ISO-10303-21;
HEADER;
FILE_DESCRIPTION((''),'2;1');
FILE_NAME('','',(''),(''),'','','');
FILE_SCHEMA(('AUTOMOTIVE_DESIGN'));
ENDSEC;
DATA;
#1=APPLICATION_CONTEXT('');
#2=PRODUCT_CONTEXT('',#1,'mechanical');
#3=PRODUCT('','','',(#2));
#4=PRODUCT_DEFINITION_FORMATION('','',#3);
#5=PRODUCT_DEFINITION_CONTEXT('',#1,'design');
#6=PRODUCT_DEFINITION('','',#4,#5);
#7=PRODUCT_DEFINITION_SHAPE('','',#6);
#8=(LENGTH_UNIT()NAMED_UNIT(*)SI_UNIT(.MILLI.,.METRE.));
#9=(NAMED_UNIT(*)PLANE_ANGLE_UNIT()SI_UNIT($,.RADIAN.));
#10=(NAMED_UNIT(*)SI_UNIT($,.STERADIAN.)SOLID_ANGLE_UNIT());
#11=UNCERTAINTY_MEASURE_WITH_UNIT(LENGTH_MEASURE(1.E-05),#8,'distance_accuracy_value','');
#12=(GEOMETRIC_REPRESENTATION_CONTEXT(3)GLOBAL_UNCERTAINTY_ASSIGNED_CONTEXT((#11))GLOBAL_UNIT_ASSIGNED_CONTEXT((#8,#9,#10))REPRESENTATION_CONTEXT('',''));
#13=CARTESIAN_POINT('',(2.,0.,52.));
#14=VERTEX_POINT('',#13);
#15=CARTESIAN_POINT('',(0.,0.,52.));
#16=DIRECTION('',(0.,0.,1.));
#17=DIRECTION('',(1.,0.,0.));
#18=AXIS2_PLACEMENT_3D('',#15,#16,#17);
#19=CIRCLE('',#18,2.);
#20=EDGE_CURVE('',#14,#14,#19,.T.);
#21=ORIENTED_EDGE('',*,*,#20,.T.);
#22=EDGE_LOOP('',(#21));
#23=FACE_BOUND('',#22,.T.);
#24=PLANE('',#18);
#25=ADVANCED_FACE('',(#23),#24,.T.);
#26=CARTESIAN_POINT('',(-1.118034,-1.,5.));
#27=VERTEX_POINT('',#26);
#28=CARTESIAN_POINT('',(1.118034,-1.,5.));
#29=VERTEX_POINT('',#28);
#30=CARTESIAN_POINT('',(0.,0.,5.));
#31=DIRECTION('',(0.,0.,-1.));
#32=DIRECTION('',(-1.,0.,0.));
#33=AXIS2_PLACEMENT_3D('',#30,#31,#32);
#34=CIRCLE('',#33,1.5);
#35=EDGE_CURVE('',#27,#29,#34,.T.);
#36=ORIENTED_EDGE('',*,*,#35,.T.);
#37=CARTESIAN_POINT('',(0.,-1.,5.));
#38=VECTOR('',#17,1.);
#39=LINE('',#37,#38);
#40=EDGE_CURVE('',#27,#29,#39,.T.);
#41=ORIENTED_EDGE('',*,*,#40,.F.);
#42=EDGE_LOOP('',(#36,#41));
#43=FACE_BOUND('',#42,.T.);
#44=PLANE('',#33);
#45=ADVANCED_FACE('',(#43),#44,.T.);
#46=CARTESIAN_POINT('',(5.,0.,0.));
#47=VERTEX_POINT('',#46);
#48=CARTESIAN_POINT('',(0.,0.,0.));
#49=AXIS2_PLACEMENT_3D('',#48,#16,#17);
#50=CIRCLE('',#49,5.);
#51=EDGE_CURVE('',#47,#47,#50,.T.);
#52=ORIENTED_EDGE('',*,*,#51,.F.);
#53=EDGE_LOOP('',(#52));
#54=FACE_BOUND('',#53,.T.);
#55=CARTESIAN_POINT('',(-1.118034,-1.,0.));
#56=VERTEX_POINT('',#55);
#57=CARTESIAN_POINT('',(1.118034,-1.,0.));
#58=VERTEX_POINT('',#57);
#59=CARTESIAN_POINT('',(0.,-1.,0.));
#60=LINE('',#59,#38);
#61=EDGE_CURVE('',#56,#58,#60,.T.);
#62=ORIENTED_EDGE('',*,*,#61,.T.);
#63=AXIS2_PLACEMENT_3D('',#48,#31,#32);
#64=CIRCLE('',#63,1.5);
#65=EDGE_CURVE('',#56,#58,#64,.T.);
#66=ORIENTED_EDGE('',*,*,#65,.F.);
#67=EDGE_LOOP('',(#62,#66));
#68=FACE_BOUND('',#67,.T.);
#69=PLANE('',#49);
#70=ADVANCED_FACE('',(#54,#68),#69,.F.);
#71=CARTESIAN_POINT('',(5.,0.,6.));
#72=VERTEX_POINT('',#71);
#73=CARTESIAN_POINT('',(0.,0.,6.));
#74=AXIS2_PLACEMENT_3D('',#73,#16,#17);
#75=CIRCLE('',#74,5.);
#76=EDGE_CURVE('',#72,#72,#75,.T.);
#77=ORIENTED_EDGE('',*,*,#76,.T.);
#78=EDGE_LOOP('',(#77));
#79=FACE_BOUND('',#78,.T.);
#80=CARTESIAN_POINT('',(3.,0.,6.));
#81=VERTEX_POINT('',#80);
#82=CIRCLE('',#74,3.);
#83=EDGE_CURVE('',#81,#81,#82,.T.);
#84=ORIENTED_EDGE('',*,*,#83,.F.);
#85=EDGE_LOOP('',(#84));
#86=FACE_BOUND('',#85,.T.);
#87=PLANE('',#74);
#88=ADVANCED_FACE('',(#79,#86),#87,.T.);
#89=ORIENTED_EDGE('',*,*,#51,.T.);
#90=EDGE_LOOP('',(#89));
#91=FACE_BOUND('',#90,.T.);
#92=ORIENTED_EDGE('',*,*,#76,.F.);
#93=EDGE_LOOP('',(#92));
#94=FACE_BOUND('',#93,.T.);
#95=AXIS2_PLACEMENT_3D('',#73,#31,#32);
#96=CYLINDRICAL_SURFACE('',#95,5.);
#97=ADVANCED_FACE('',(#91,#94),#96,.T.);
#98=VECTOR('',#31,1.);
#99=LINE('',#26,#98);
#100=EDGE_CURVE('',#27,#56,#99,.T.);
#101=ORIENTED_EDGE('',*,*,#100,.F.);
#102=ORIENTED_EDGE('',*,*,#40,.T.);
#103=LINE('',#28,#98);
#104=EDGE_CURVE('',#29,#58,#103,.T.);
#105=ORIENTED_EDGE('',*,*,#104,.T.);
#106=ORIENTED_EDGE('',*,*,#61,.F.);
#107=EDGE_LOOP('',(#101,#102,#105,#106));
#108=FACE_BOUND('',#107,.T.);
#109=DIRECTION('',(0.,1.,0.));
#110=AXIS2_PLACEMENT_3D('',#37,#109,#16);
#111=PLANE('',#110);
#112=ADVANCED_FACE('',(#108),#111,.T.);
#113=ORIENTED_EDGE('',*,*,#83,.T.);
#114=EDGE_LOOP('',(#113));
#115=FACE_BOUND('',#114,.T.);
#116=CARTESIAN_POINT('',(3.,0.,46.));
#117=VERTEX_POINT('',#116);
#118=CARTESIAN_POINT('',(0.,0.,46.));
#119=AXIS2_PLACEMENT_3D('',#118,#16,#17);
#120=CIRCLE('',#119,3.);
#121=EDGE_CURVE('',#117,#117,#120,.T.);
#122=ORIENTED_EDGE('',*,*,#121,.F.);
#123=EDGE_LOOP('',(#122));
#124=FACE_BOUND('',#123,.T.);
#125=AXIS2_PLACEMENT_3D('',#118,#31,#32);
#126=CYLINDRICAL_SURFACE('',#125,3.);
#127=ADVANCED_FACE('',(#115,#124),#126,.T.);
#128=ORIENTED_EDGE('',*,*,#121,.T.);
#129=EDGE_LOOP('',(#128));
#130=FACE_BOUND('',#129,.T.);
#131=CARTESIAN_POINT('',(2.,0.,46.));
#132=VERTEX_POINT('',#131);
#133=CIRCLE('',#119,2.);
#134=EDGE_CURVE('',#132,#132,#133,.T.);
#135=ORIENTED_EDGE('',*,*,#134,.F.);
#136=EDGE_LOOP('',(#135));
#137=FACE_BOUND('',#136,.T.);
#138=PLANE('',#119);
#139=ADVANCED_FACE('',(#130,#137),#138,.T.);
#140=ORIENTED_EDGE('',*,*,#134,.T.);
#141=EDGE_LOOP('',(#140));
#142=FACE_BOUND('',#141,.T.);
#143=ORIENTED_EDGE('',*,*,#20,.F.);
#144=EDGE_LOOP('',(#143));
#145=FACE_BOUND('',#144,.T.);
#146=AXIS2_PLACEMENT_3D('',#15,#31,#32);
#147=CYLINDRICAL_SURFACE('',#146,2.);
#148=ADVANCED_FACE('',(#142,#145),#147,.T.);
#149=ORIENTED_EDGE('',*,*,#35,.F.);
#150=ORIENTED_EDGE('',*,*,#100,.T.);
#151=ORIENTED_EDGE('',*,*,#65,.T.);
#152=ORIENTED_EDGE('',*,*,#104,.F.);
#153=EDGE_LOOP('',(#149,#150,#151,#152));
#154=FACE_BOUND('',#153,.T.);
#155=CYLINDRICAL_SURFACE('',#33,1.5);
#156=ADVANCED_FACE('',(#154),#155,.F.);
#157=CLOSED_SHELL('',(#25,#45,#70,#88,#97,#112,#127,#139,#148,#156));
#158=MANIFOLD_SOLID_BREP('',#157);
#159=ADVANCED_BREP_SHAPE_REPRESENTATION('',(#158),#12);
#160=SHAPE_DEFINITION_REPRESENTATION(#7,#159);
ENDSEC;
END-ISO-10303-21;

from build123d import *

# Parameters (mm, degrees)
CROQUIS1_R              = 5
SALIENTE_EXTRUIR1_DEPTH = 6
CORTAR_EXTRUIR1_DEPTH   = 5
CROQUIS3_R              = 3
SALIENTE_EXTRUIR2_DEPTH = 40
CROQUIS4_R              = 2
SALIENTE_EXTRUIR3_DEPTH = 6


with BuildPart() as part:
    # Croquis1 → Saliente-Extruir1 (new body)
    with BuildSketch(Plane.XY):
        Circle(CROQUIS1_R)
    extrude(amount=SALIENTE_EXTRUIR1_DEPTH)

    # Croquis2 → Cortar-Extruir1 (cut)
    with BuildSketch(Plane(origin=(0, 0, 0), x_dir=(-1, 0, 0), z_dir=(0, 0, -1))):
        with BuildLine():
            Line((-1.118033989, -1), (0, -1))
            Line((0, -1), (0.606924942, -1))
            Line((0.606924942, -1), (1.118033989, -1))
            ThreePointArc((1.118033989, -1), (0, 1.5), (-1.118033989, -1))
        make_face()
    extrude(amount=-CORTAR_EXTRUIR1_DEPTH, mode=Mode.SUBTRACT)

    # Croquis3 → Saliente-Extruir2 (add)
    with BuildSketch(Plane.XY.offset(6)):
        Circle(CROQUIS3_R)
    extrude(amount=SALIENTE_EXTRUIR2_DEPTH)

    # Croquis4 → Saliente-Extruir3 (add)
    with BuildSketch(Plane.XY.offset(46)):
        Circle(CROQUIS4_R)
    extrude(amount=SALIENTE_EXTRUIR3_DEPTH)


solid = part.part
